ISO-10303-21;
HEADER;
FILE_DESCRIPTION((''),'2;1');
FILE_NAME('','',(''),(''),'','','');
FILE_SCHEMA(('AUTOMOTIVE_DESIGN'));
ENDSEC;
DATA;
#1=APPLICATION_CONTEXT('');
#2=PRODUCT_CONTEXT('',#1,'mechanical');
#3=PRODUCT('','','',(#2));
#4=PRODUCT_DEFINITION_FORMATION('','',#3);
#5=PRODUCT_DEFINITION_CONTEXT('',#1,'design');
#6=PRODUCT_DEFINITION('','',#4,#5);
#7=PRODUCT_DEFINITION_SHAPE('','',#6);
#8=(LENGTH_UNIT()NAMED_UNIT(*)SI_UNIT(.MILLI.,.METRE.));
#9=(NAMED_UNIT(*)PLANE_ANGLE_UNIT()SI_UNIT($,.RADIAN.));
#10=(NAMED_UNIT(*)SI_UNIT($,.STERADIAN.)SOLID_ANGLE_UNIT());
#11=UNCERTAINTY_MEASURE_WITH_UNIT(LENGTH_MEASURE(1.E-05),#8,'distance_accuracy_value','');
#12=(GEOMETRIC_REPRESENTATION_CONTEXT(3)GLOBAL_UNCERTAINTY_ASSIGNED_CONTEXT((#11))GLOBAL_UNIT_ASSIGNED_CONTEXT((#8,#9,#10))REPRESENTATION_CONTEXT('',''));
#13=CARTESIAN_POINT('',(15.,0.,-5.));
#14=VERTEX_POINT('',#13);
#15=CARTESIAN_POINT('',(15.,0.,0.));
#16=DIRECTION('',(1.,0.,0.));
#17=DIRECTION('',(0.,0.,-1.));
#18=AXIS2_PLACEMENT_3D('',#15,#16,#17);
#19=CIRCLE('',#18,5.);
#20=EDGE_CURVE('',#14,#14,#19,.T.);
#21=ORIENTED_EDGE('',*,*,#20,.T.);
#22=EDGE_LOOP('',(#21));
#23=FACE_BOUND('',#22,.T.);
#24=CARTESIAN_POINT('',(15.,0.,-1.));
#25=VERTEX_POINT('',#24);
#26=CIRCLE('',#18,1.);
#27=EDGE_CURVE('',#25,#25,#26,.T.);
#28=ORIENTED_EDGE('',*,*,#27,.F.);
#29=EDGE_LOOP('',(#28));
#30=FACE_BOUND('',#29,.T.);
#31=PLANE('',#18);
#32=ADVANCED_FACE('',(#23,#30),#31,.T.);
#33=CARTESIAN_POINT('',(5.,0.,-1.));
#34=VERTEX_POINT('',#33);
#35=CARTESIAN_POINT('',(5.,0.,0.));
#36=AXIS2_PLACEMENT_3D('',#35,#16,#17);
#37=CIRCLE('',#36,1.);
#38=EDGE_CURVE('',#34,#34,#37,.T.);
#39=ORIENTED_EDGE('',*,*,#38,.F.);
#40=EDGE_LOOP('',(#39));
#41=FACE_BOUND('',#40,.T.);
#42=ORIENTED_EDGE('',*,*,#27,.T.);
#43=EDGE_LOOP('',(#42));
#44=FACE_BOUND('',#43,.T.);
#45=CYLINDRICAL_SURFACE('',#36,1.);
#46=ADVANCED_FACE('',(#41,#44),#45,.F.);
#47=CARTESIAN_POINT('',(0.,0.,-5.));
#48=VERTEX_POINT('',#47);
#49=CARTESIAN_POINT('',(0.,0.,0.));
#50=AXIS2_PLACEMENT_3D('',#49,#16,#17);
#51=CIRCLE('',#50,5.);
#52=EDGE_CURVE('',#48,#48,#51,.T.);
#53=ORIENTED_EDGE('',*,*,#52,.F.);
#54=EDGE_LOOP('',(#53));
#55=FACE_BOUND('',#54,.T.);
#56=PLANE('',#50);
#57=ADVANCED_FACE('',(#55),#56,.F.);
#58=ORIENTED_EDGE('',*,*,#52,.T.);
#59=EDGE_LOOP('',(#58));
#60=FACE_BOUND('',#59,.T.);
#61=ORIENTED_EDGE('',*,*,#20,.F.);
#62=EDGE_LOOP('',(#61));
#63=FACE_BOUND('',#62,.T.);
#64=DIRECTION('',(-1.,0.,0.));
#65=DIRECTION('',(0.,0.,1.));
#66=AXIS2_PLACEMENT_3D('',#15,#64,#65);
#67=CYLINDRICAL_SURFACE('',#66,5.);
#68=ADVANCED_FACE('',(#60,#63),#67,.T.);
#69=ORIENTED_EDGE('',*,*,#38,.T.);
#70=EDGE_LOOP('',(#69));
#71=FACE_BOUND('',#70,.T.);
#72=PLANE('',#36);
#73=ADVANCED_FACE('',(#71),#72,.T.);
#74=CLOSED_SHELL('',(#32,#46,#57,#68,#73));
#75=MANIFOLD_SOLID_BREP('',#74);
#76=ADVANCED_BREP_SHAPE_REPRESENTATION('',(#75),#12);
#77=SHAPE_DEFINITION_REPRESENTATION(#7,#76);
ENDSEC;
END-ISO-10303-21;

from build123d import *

# Parameters (mm, degrees)
SKETCH1_R           = 5
BOSS_EXTRUDE1_DEPTH = 15
SKETCH2_R           = 1
CUT_EXTRUDE1_DEPTH  = 10


with BuildPart() as part:
    # Sketch1 → Boss-Extrude1 (new body)
    with BuildSketch(Plane(origin=(0, 0, 0), x_dir=(0, 0, -1), z_dir=(1, 0, 0))):
        Circle(SKETCH1_R)
    extrude(amount=BOSS_EXTRUDE1_DEPTH)

    # Sketch2 → Cut-Extrude1 (cut)
    with BuildSketch(Plane(origin=(15, 0, 0), x_dir=(0, 0, -1), z_dir=(1, 0, 0))):
        Circle(SKETCH2_R)
    extrude(amount=-CUT_EXTRUDE1_DEPTH, mode=Mode.SUBTRACT)


solid = part.part
